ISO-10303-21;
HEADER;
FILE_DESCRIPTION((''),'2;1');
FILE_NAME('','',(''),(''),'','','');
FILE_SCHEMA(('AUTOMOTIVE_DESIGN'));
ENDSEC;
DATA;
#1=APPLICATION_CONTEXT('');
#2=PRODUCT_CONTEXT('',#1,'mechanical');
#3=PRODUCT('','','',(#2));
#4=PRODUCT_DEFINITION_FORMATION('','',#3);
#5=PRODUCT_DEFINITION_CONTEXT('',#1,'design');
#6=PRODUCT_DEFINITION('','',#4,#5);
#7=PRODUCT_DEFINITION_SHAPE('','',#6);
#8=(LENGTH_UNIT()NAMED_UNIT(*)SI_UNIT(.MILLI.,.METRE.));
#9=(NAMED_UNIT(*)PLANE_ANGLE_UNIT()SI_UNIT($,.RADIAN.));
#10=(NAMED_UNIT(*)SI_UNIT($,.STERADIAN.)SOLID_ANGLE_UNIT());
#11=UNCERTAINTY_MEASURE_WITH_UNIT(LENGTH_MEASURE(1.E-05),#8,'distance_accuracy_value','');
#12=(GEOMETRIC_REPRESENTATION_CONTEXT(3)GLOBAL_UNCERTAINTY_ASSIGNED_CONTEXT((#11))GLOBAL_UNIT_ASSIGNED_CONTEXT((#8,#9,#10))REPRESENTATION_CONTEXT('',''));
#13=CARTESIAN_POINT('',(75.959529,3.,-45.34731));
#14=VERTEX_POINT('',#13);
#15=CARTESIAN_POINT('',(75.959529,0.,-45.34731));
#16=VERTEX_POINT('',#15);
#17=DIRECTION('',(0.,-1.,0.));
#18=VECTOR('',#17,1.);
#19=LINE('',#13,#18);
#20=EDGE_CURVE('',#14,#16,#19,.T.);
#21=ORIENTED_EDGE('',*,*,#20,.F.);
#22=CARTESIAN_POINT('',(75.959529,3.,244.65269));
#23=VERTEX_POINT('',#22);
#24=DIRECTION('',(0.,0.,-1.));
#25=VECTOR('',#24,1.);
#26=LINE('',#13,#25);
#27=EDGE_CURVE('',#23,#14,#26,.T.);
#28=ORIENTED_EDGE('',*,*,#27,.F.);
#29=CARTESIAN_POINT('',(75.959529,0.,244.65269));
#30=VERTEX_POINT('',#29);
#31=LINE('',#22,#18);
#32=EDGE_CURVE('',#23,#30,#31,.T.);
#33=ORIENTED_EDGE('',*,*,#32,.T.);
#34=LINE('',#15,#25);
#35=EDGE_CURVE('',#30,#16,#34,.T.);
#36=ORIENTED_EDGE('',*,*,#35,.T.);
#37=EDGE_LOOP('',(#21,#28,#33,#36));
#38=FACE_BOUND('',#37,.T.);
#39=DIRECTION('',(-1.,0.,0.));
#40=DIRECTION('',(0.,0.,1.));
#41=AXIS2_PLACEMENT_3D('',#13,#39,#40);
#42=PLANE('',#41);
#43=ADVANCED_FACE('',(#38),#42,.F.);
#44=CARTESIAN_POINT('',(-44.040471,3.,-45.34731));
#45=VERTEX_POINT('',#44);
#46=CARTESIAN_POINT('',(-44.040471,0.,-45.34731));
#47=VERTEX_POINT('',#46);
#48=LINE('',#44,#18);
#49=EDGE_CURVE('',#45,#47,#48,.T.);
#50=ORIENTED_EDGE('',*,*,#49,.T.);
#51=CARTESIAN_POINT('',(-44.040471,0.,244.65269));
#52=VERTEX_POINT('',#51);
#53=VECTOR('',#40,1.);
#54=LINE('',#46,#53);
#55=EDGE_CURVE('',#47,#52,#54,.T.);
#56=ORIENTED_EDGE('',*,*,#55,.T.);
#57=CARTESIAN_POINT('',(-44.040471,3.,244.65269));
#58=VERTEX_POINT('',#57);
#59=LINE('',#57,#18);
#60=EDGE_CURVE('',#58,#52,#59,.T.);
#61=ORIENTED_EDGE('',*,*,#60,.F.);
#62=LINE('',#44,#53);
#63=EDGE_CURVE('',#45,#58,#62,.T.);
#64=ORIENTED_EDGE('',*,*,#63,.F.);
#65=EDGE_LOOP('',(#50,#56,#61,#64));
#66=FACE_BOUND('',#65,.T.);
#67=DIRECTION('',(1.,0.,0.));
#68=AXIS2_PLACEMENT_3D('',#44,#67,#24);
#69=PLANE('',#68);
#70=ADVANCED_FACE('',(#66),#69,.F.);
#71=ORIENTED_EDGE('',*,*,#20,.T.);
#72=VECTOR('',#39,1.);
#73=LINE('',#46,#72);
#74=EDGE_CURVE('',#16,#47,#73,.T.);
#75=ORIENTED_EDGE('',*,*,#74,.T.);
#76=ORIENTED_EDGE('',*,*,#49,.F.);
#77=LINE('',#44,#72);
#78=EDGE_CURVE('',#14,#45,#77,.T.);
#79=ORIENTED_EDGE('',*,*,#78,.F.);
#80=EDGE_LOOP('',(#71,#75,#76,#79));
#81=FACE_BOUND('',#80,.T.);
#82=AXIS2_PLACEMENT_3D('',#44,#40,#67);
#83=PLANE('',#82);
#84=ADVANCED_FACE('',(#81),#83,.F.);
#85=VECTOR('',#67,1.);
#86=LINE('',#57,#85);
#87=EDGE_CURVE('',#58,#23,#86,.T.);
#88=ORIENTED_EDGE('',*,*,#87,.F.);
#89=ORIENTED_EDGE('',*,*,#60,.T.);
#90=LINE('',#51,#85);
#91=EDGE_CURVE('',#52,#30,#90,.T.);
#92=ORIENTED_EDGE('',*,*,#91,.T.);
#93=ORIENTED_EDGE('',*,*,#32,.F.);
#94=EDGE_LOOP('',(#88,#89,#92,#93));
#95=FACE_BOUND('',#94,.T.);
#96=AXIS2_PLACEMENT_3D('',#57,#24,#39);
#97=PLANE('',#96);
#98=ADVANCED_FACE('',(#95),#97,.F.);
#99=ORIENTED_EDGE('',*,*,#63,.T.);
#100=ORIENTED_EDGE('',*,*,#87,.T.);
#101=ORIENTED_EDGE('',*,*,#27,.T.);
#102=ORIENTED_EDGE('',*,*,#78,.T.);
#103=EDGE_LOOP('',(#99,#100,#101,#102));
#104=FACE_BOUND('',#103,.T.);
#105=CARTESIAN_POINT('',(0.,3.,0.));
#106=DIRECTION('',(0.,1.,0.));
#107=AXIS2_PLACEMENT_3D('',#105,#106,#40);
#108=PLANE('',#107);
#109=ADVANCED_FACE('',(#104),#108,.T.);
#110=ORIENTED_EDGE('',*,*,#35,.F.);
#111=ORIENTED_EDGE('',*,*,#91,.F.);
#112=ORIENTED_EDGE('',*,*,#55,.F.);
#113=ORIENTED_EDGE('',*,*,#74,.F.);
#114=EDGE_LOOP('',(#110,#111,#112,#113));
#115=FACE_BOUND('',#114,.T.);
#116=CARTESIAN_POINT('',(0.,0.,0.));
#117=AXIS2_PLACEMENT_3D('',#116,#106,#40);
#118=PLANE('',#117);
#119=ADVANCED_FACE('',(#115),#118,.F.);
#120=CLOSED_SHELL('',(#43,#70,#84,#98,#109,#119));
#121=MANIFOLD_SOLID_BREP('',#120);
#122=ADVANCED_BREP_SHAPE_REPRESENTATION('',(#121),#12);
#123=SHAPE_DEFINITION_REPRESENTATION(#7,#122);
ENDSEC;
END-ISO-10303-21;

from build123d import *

# Parameters (mm, degrees)
SKETCH_1_W      = 120
SKETCH_1_H      = 290
EXTRUDE_1_DEPTH = 3


with BuildPart() as part:
    # 草图1 → 凸台-拉伸1 (new body)
    with BuildSketch(Plane(origin=(0, 0, 0), x_dir=(1, 0, 0), z_dir=(0, 1, 0))):
        with Locations((15.959528872, -99.652689966)):
            Rectangle(SKETCH_1_W, SKETCH_1_H)
    extrude(amount=EXTRUDE_1_DEPTH)


solid = part.part
